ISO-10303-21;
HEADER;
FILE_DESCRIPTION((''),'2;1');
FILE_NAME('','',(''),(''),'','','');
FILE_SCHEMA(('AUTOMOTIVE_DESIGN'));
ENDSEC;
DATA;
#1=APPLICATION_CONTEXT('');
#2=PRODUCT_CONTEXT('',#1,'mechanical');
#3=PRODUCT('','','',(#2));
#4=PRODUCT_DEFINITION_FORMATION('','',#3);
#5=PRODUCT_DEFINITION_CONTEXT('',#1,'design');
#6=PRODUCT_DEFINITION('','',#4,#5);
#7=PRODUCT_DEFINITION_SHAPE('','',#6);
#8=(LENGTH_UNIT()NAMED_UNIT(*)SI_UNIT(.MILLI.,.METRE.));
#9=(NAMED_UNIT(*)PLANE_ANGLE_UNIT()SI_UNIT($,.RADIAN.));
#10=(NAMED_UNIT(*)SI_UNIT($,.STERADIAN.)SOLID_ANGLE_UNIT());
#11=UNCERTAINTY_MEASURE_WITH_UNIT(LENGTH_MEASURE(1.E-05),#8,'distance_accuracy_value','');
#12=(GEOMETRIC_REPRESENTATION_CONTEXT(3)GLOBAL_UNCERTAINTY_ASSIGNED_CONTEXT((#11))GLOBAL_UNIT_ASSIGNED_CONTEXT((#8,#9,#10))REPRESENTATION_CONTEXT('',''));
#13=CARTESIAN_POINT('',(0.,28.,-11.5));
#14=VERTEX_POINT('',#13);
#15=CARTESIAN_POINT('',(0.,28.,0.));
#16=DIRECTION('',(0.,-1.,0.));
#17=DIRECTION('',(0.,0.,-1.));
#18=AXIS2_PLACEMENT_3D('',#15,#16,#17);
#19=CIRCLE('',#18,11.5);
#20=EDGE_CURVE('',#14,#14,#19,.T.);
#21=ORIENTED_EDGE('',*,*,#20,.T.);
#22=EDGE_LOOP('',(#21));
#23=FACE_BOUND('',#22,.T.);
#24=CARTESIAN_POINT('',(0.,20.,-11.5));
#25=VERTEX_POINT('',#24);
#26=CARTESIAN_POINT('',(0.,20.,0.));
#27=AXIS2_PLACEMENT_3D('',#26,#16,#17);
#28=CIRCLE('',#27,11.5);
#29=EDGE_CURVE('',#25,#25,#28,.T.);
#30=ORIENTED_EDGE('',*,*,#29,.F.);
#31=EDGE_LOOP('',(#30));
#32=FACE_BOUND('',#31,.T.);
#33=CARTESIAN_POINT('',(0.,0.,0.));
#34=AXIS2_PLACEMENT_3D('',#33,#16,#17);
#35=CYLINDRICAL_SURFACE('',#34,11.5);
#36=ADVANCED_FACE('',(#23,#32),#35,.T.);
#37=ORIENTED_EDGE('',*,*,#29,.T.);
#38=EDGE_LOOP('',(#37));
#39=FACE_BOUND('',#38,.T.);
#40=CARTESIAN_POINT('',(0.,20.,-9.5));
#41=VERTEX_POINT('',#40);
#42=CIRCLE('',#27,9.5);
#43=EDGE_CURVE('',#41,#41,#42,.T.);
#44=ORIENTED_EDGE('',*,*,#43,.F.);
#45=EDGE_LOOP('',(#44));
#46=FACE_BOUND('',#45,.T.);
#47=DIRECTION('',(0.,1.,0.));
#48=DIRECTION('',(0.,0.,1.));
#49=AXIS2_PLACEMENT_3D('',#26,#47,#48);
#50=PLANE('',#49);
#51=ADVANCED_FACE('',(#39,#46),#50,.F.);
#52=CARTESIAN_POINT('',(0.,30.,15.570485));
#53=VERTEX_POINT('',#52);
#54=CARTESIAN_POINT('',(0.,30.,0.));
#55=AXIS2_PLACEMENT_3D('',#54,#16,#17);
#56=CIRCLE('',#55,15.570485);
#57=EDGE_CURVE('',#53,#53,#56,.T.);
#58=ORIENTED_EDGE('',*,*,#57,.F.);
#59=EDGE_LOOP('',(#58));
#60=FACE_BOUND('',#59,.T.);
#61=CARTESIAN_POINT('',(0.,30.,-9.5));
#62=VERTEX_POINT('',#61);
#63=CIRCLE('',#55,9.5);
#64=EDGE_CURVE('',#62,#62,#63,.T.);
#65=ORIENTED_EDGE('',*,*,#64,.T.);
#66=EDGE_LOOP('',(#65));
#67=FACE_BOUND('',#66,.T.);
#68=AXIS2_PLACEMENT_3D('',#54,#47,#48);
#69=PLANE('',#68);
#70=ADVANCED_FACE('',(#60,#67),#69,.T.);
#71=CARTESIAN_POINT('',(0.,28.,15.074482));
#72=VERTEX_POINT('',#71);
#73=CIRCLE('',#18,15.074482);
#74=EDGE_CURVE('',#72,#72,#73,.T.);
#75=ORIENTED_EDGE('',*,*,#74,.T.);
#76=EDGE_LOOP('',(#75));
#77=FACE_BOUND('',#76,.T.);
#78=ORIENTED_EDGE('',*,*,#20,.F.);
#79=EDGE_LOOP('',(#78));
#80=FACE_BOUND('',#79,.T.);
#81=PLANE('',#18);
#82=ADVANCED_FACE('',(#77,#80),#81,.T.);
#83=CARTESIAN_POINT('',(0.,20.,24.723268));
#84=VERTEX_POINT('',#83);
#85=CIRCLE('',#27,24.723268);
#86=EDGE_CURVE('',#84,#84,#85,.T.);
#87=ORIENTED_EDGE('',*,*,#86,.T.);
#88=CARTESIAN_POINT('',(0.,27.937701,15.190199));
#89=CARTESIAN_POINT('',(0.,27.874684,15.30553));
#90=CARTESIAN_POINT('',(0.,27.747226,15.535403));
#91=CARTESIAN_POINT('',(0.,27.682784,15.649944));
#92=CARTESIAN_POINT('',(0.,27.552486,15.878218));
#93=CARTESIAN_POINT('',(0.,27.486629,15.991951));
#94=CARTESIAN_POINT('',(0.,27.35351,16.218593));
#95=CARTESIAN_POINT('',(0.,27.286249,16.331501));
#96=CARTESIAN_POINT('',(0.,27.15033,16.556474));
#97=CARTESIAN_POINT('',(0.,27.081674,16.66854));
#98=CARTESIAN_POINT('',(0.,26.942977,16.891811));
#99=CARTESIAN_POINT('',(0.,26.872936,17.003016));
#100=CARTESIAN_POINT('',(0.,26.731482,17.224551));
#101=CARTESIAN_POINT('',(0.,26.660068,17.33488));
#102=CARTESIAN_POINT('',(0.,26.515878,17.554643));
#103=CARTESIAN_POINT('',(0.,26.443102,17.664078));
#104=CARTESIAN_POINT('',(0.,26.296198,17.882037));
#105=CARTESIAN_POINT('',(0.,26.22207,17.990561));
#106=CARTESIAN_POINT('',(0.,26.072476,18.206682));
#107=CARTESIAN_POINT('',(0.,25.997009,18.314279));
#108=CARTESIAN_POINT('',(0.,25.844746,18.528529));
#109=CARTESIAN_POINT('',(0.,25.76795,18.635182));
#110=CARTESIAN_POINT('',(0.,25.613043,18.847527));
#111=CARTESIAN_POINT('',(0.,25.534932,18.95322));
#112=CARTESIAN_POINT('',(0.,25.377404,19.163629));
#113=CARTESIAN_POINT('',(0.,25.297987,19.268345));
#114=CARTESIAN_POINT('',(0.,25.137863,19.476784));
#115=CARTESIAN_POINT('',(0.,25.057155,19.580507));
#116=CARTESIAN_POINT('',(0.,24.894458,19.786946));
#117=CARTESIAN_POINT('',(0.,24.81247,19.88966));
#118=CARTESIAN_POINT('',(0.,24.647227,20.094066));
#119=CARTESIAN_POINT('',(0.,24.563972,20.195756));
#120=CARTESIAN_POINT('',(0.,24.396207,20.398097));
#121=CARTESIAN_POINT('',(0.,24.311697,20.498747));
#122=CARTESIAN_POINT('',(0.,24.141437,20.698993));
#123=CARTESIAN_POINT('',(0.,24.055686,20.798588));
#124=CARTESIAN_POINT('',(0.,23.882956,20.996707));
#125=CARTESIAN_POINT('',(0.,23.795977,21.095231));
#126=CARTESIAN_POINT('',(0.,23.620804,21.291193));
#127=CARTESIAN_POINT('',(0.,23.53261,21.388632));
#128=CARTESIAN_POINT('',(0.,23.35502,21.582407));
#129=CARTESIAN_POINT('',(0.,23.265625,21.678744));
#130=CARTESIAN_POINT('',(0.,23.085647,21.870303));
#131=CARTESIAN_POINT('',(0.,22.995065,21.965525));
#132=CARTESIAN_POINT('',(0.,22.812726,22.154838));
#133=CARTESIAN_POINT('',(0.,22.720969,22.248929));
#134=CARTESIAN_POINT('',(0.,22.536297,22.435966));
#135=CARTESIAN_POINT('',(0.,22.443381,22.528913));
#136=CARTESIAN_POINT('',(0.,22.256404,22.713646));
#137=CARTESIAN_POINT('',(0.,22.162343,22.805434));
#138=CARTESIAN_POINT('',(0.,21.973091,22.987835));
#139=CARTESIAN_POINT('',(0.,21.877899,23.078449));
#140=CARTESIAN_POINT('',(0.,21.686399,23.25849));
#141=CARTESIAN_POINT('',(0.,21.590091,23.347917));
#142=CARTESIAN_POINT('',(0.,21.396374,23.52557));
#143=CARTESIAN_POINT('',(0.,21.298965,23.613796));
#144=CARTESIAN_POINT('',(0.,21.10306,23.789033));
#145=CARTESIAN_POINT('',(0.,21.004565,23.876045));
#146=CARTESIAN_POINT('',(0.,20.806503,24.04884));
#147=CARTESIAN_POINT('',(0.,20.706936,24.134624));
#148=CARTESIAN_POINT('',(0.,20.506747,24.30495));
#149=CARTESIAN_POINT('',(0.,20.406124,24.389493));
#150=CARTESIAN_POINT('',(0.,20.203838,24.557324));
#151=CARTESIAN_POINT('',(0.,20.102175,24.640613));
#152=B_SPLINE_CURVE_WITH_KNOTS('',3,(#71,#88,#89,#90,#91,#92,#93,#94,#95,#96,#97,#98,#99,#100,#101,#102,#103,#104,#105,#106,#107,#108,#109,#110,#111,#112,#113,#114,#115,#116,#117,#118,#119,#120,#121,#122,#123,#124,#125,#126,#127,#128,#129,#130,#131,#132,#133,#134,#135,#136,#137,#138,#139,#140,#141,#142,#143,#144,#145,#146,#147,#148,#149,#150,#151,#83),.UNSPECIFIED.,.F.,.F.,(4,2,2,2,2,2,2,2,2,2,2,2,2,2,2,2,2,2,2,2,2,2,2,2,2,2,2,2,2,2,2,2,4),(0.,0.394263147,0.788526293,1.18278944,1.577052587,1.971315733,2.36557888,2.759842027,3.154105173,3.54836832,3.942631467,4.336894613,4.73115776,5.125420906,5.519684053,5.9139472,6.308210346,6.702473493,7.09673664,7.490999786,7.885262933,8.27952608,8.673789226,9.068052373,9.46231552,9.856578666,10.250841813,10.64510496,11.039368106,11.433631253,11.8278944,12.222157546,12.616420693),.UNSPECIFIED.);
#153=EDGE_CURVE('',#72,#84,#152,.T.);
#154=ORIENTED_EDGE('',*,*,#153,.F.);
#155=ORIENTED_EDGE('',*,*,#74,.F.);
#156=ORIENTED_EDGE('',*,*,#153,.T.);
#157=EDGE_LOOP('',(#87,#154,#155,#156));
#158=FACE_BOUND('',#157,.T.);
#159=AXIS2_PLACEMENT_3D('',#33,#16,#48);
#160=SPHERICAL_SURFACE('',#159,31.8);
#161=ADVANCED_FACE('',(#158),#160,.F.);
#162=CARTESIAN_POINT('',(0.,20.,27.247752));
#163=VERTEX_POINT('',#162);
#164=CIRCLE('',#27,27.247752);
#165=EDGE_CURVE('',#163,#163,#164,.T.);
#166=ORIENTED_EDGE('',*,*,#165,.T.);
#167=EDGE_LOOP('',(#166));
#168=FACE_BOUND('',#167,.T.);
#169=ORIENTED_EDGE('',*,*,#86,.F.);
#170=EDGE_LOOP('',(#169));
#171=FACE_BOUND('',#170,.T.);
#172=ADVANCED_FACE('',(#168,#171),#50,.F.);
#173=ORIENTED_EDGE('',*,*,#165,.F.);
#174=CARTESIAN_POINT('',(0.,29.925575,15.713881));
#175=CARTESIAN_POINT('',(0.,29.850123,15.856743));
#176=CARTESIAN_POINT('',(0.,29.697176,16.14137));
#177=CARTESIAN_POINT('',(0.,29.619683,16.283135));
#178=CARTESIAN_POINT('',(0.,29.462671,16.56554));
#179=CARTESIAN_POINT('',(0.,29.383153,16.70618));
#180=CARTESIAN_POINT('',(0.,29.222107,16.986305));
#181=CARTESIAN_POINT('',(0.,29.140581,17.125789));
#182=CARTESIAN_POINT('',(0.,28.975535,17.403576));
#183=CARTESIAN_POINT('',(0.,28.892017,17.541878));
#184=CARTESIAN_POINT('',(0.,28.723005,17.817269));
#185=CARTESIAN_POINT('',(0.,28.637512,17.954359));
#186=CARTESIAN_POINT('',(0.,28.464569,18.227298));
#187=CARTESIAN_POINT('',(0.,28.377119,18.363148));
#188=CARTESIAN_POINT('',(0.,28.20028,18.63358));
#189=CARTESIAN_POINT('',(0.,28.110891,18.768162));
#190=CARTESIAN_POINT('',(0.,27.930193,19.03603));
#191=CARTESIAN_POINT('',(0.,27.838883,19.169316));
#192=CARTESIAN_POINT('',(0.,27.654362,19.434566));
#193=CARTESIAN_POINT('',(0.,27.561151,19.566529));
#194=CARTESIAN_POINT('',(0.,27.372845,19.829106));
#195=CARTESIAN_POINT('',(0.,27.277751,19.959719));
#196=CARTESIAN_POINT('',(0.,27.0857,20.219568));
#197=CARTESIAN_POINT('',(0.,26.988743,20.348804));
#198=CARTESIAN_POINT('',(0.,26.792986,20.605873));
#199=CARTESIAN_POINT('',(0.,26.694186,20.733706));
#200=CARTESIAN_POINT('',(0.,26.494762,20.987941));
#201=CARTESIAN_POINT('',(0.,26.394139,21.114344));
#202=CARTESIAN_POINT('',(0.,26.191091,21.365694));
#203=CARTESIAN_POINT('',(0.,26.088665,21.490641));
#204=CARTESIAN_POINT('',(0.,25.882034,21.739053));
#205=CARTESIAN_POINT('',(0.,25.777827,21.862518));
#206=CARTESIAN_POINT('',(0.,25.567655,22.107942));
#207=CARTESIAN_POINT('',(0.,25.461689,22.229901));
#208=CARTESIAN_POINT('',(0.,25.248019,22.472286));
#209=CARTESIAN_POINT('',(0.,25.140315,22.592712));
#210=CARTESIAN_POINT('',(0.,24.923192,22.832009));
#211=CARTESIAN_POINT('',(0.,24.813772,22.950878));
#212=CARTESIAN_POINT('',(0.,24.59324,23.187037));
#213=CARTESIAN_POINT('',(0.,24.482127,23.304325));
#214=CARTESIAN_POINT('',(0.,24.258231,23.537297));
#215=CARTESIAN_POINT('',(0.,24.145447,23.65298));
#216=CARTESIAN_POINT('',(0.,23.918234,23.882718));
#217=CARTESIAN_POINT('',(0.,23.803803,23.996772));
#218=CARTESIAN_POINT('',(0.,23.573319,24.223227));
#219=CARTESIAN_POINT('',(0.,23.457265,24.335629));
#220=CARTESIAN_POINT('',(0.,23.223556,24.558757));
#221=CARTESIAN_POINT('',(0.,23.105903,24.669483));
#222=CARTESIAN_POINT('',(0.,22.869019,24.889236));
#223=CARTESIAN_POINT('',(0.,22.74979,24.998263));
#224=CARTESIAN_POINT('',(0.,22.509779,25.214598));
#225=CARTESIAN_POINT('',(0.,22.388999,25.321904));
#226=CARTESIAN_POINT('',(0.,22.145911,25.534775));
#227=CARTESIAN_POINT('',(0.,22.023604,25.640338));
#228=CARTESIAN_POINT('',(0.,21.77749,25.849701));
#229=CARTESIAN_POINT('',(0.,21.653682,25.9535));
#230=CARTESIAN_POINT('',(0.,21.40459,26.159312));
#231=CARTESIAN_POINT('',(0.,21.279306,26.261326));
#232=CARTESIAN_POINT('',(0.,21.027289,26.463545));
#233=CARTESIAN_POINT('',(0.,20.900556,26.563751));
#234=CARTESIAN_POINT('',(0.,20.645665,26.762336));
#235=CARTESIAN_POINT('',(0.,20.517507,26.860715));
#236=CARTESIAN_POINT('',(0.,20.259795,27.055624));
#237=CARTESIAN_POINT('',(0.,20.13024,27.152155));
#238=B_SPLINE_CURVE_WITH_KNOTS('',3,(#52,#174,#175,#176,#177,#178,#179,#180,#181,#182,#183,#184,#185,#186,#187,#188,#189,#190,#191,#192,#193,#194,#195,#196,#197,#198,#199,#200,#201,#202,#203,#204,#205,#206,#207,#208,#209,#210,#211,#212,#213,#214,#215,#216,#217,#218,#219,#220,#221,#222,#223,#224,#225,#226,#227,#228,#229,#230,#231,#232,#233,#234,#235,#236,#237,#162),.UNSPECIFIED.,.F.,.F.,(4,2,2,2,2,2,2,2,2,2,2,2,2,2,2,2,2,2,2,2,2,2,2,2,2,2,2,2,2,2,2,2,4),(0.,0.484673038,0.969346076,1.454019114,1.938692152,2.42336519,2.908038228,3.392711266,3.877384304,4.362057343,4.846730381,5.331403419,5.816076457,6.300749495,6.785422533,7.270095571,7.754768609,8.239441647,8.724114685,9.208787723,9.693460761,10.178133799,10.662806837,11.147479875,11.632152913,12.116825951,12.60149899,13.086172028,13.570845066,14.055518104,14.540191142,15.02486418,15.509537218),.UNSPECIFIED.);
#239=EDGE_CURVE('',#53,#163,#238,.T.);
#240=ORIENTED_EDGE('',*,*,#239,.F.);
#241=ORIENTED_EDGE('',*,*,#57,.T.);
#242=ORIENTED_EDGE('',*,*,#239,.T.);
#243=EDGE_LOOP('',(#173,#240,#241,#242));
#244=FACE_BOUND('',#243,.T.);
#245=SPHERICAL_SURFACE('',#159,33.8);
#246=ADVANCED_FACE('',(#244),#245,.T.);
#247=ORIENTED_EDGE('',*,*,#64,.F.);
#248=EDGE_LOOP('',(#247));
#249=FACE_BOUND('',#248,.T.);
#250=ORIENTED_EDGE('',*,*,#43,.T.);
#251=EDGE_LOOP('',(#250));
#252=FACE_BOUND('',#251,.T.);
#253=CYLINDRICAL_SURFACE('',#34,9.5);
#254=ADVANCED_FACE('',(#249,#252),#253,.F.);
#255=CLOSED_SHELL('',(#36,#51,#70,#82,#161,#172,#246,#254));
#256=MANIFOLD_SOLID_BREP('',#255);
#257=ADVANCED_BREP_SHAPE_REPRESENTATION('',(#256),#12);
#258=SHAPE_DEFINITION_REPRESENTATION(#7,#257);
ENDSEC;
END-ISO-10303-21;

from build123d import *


with BuildPart() as part:
    # Sketch2 → Revolve1 (revolve)
    with BuildSketch(Plane(origin=(0, 0, 0), x_dir=(0, 0, -1), z_dir=(1, 0, 0))):
        with BuildLine():
            Line((-11.5, 28), (-11.5, 20))
            Line((-11.5, 20), (-9.5, 20))
            Line((-9.5, 20), (-9.5, 30))
            Line((-9.5, 30), (-10.547037499, 30))
            ThreePointArc((-10.547037499, 30), (-12.849730042, 29.088218197), (-15.074481749, 28))
            Line((-15.074481749, 28), (-11.5, 28))
        make_face()
        with BuildLine():
            ThreePointArc((-15.570484899, 30), (-21.985230431, 25.672741243), (-27.247752201, 20))
            Line((-27.247752201, 20), (-24.723268392, 20))
            ThreePointArc((-24.723268392, 20), (-20.296926592, 24.480089275), (-15.074481749, 28))
            ThreePointArc((-15.074481749, 28), (-12.849730042, 29.088218197), (-10.547037499, 30))
            Line((-10.547037499, 30), (-15.570484899, 30))
        make_face()
    revolve(axis=Axis((0, 0, 0), (0, 1, 0)))


solid = part.part
